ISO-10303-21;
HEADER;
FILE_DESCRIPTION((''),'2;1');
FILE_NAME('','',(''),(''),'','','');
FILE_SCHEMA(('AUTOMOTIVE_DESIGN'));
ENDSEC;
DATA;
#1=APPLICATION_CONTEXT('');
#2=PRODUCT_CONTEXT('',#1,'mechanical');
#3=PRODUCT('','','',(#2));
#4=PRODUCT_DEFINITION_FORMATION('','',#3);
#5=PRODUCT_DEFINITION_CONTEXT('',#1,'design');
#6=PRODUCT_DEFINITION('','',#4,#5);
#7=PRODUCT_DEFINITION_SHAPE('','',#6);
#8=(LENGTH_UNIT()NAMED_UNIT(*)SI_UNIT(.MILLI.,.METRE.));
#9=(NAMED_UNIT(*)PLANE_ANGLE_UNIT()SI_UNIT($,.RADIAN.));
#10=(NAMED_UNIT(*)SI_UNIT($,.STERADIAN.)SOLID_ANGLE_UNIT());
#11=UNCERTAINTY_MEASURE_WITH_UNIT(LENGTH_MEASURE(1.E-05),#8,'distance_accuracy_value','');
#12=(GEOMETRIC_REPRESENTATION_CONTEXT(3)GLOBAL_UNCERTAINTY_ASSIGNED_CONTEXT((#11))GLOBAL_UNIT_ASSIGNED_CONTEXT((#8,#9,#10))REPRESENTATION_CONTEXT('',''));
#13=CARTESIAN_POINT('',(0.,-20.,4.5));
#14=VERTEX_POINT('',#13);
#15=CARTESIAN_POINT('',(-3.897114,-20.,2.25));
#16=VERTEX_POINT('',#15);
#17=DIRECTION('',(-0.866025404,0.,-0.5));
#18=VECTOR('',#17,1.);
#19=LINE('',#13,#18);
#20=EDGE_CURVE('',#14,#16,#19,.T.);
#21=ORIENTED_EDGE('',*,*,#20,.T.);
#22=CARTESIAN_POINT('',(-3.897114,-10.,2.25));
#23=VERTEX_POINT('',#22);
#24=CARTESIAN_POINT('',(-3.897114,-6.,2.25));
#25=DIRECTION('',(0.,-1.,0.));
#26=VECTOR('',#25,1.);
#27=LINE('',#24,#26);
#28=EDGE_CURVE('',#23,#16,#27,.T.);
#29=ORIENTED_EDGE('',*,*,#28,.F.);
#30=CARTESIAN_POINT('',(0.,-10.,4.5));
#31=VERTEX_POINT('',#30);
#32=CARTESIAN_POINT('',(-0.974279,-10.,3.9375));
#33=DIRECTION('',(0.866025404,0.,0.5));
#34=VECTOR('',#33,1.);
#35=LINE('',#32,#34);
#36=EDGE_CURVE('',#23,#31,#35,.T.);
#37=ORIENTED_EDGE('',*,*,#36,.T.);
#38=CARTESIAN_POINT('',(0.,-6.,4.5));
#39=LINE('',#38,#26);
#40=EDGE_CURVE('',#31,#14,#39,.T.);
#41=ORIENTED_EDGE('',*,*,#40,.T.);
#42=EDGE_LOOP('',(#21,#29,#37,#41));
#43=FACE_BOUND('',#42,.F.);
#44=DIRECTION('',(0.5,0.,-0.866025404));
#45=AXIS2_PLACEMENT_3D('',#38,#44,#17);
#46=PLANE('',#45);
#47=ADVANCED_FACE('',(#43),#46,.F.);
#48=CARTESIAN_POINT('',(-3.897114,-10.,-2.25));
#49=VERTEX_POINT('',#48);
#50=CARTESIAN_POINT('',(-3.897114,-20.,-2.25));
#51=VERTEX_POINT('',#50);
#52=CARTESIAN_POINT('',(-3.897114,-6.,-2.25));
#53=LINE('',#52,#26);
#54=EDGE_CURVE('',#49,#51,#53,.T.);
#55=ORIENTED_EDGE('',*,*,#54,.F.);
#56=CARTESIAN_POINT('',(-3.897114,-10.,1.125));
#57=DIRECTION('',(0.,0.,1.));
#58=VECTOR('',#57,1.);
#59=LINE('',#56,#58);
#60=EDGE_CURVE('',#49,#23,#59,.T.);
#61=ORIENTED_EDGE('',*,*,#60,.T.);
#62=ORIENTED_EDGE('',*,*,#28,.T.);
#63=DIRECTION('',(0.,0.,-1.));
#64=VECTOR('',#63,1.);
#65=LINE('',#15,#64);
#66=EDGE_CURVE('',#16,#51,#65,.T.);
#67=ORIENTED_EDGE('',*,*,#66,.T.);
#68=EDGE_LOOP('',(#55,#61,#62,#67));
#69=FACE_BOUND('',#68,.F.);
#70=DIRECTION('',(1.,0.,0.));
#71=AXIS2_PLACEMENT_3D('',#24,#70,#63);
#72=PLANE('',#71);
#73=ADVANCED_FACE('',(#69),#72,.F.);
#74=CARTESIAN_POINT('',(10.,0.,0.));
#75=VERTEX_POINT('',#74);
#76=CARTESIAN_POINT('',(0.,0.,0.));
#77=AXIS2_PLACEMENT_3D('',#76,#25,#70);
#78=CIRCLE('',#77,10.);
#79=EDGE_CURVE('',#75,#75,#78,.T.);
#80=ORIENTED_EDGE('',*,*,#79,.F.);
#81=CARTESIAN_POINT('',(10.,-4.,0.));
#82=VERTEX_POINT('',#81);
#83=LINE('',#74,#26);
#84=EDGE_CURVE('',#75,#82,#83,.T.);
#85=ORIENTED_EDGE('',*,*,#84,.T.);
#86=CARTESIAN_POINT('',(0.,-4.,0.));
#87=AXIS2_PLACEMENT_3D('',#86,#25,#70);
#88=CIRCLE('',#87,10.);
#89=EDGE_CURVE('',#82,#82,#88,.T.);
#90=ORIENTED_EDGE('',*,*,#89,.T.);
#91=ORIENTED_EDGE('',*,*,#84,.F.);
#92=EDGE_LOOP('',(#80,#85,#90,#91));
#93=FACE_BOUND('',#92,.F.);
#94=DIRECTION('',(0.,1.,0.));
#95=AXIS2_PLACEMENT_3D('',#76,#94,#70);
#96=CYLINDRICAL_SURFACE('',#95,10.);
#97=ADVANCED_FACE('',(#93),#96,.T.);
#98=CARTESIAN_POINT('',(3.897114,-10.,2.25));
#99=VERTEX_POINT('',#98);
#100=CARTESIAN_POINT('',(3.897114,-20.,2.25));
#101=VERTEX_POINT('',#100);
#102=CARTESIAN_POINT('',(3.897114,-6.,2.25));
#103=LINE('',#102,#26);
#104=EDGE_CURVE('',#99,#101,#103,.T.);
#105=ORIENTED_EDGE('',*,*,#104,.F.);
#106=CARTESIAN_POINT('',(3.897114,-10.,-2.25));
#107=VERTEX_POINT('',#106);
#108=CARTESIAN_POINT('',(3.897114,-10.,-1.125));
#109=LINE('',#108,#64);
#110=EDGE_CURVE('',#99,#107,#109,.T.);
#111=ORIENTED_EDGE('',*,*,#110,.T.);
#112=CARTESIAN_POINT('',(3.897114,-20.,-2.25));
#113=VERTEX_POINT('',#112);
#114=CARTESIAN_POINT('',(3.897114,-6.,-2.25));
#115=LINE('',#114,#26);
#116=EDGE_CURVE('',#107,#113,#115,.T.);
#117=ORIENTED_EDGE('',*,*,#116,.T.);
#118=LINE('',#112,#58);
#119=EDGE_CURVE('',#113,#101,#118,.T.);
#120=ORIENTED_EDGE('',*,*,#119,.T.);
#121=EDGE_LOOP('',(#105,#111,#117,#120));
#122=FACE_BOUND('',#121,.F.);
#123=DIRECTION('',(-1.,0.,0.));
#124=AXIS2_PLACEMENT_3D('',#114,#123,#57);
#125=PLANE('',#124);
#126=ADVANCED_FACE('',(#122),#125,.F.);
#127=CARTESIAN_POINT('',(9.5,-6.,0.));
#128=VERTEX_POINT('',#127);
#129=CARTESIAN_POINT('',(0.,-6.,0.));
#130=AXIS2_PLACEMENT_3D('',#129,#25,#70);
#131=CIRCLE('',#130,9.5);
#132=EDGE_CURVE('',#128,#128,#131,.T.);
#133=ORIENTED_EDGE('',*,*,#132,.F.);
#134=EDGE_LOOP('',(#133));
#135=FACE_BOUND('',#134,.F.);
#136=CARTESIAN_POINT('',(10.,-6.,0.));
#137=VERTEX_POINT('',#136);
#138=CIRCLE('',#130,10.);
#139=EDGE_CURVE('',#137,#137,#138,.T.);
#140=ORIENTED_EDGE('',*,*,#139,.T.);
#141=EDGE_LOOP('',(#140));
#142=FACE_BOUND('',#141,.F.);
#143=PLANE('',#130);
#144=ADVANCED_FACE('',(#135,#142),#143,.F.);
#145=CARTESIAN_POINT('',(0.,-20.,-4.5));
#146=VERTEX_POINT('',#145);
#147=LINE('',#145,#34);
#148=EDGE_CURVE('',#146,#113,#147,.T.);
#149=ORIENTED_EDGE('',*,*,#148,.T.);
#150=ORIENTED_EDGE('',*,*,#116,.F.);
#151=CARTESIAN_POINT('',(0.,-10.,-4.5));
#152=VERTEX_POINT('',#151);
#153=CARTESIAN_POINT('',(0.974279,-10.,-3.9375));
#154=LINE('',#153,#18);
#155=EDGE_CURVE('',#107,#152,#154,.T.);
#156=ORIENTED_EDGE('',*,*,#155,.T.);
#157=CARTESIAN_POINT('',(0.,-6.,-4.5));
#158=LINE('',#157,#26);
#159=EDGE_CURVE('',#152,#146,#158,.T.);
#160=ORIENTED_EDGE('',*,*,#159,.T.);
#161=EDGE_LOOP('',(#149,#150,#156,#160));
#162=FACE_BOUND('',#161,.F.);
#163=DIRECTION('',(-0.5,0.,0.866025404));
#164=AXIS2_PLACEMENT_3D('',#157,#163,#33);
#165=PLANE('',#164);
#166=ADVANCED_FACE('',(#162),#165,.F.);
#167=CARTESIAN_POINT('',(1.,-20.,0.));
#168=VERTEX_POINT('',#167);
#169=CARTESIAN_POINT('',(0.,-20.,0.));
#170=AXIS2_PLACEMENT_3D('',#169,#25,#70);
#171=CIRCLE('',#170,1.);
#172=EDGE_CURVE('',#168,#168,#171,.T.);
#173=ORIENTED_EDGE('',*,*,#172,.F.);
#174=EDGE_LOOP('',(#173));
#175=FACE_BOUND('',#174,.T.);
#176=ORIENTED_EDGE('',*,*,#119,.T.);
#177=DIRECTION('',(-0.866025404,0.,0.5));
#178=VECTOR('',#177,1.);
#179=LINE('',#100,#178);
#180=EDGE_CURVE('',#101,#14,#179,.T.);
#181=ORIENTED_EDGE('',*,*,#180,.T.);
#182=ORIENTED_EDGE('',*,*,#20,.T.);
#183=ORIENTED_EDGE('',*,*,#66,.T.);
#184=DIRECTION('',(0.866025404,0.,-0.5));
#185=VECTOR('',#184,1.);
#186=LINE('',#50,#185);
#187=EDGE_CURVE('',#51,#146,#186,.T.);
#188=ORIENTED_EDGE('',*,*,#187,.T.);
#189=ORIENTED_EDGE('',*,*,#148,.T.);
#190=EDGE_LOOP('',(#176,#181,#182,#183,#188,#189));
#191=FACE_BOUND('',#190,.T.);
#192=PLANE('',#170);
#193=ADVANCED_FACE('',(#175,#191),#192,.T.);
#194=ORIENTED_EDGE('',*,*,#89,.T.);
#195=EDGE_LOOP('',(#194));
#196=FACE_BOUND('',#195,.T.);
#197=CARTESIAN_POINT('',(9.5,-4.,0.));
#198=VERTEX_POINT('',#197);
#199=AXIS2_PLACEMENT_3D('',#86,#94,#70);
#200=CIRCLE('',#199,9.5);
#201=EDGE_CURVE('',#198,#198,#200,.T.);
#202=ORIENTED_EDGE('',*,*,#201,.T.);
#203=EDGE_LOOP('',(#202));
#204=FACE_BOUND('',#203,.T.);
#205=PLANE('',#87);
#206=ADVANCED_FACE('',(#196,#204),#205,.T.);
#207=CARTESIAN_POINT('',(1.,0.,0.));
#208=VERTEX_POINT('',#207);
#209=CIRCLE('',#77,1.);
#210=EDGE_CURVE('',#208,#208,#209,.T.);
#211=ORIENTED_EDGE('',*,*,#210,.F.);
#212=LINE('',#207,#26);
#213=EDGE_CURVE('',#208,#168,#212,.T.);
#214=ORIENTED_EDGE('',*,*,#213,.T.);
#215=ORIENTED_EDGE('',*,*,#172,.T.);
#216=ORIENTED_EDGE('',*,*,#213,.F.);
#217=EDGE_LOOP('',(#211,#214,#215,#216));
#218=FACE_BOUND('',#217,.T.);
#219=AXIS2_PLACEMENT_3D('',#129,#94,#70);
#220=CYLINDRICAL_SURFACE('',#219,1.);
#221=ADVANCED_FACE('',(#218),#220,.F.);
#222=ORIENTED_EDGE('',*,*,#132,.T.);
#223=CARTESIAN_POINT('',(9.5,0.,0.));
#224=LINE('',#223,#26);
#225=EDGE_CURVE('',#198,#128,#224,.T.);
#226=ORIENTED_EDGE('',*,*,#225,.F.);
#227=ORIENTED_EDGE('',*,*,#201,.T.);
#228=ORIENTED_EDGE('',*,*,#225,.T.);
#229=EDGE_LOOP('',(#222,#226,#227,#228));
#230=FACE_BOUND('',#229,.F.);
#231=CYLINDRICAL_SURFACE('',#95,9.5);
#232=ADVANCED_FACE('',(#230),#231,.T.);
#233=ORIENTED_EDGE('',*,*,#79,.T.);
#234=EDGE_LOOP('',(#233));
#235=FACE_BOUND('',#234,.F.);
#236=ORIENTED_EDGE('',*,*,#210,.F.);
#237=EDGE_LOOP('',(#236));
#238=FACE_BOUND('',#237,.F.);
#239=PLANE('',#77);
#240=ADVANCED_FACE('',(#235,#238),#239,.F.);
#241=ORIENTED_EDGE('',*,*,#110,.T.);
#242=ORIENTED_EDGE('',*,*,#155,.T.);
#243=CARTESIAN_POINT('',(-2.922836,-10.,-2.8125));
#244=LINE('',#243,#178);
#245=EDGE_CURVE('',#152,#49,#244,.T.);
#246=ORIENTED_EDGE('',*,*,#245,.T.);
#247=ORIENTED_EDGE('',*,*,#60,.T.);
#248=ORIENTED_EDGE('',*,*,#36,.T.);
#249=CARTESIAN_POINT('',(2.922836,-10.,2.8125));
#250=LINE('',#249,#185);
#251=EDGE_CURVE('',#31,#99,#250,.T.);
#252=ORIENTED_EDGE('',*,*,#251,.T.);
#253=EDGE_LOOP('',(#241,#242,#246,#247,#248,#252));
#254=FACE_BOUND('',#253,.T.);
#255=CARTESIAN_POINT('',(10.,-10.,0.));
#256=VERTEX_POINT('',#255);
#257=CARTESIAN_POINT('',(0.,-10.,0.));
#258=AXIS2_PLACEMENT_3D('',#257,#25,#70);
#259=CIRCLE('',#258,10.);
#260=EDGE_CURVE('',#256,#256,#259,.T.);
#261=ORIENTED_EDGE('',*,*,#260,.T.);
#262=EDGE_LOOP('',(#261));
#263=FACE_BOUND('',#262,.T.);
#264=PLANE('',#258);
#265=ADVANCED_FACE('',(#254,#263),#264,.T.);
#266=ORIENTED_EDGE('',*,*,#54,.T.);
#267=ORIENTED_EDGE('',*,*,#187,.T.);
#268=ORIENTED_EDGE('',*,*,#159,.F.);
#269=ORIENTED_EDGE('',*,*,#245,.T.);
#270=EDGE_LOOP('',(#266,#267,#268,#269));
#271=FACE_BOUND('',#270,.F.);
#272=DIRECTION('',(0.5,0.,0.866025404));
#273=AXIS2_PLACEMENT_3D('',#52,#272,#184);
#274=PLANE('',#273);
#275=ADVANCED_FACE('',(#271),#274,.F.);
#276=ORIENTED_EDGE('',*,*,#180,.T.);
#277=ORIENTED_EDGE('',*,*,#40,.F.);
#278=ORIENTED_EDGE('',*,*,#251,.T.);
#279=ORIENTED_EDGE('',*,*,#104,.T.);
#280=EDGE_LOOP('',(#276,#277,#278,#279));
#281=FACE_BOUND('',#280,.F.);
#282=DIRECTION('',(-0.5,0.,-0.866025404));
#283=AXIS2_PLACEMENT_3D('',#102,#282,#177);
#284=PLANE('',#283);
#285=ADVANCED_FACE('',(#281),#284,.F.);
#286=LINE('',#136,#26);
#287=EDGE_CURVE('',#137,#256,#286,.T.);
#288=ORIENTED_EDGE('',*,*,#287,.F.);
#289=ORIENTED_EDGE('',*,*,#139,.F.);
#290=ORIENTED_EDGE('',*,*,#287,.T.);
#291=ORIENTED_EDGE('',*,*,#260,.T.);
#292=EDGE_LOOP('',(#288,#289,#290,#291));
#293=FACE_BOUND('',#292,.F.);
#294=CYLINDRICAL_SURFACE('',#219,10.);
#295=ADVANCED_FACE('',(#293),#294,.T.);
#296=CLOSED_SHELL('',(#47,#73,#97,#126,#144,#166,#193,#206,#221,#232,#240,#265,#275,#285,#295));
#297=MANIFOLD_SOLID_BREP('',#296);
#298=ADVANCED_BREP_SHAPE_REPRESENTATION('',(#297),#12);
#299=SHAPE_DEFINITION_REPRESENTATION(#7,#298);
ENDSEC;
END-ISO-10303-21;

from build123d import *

# Parameters (mm, degrees)
F0_R     = 10
F0_R_2   = 9.5
F0_R_3   = 1
F1_DEPTH = 4
F2_DEPTH = 6
F3_R     = 10
F3_R_2   = 9.5
F3_R_3   = 1
F4_DEPTH = 4
F5_DEPTH = 14
F6_DEPTH = 20


with BuildPart() as f1:
    # F0 (on Front) → F1 (new body)
    with BuildSketch(Plane.XZ):
        Circle(F0_R)
        Circle(F0_R_2, mode=Mode.SUBTRACT)
        Circle(F0_R_2)
        with BuildLine():
            ThreePointArc((3.897114317, 2.25), (4.3466662183, 1.164685703), (4.5, 0))
            ThreePointArc((4.5, 0), (4.3466662183, -1.164685703), (3.897114317, -2.25))
            ThreePointArc((3.897114317, -2.25), (2.25, -3.897114317), (0, -4.5))
            ThreePointArc((0, -4.5), (-2.25, -3.897114317), (-3.897114317, -2.25))
            ThreePointArc((-3.897114317, -2.25), (-4.5, 0), (-3.897114317, 2.25))
            ThreePointArc((-3.897114317, 2.25), (-2.25, 3.897114317), (0, 4.5))
            ThreePointArc((0, 4.5), (2.25, 3.897114317), (3.897114317, 2.25))
        make_face(mode=Mode.SUBTRACT)
        with BuildLine():
            Line((0, 4.5), (3.897114317, 2.25))
            ThreePointArc((3.897114317, 2.25), (2.25, 3.897114317), (0, 4.5))
        make_face()
        with BuildLine():
            Line((-3.897114317, 2.25), (0, 4.5))
            ThreePointArc((0, 4.5), (-2.25, 3.897114317), (-3.897114317, 2.25))
        make_face()
        with BuildLine():
            Line((-3.897114317, -2.25), (-3.897114317, 2.25))
            ThreePointArc((-3.897114317, 2.25), (-4.5, 0), (-3.897114317, -2.25))
        make_face()
        with BuildLine():
            ThreePointArc((-3.897114317, -2.25), (-2.25, -3.897114317), (0, -4.5))
            Line((0, -4.5), (-3.897114317, -2.25))
        make_face()
        with BuildLine():
            ThreePointArc((0, -4.5), (2.25, -3.897114317), (3.897114317, -2.25))
            Line((3.897114317, -2.25), (0, -4.5))
        make_face()
        Polygon((3.897114317, -2.25), (3.897114317, 2.25), (0, 4.5), (-3.897114317, 2.25), (-3.897114317, -2.25), (0, -4.5), align=None)
        Circle(F0_R_3, mode=Mode.SUBTRACT)
        with BuildLine():
            ThreePointArc((3.897114317, -2.25), (4.3466662183, -1.164685703), (4.5, 0))
            ThreePointArc((4.5, 0), (4.3466662183, 1.164685703), (3.897114317, 2.25))
            Line((3.897114317, 2.25), (3.897114317, -2.25))
        make_face()
    extrude(amount=F1_DEPTH)

    # F0 (on Front) → F2 (join)
    with BuildSketch(Plane.XZ):
        Circle(F0_R_2)
        with BuildLine():
            ThreePointArc((3.897114317, 2.25), (4.3466662183, 1.164685703), (4.5, 0))
            ThreePointArc((4.5, 0), (4.3466662183, -1.164685703), (3.897114317, -2.25))
            ThreePointArc((3.897114317, -2.25), (2.25, -3.897114317), (0, -4.5))
            ThreePointArc((0, -4.5), (-2.25, -3.897114317), (-3.897114317, -2.25))
            ThreePointArc((-3.897114317, -2.25), (-4.5, 0), (-3.897114317, 2.25))
            ThreePointArc((-3.897114317, 2.25), (-2.25, 3.897114317), (0, 4.5))
            ThreePointArc((0, 4.5), (2.25, 3.897114317), (3.897114317, 2.25))
        make_face(mode=Mode.SUBTRACT)
        Polygon((3.897114317, -2.25), (3.897114317, 2.25), (0, 4.5), (-3.897114317, 2.25), (-3.897114317, -2.25), (0, -4.5), align=None)
        Circle(F0_R_3, mode=Mode.SUBTRACT)
        with BuildLine():
            Line((-3.897114317, 2.25), (0, 4.5))
            ThreePointArc((0, 4.5), (-2.25, 3.897114317), (-3.897114317, 2.25))
        make_face()
        with BuildLine():
            Line((0, 4.5), (3.897114317, 2.25))
            ThreePointArc((3.897114317, 2.25), (2.25, 3.897114317), (0, 4.5))
        make_face()
        with BuildLine():
            ThreePointArc((3.897114317, -2.25), (4.3466662183, -1.164685703), (4.5, 0))
            ThreePointArc((4.5, 0), (4.3466662183, 1.164685703), (3.897114317, 2.25))
            Line((3.897114317, 2.25), (3.897114317, -2.25))
        make_face()
        with BuildLine():
            Line((-3.897114317, -2.25), (-3.897114317, 2.25))
            ThreePointArc((-3.897114317, 2.25), (-4.5, 0), (-3.897114317, -2.25))
        make_face()
        with BuildLine():
            ThreePointArc((-3.897114317, -2.25), (-2.25, -3.897114317), (0, -4.5))
            Line((0, -4.5), (-3.897114317, -2.25))
        make_face()
        with BuildLine():
            ThreePointArc((0, -4.5), (2.25, -3.897114317), (3.897114317, -2.25))
            Line((3.897114317, -2.25), (0, -4.5))
        make_face()
    extrude(amount=F2_DEPTH)



with BuildPart() as f4:
    # F3 (on face) → F4 (new body)
    with BuildSketch(Plane.XZ.offset(6)):
        Circle(F3_R)
        Circle(F3_R_2, mode=Mode.SUBTRACT)
        Circle(F3_R_2)
        with BuildLine():
            ThreePointArc((3.897114317, 2.25), (4.3466662183, 1.164685703), (4.5, 0))
            ThreePointArc((4.5, 0), (4.3466662183, -1.164685703), (3.897114317, -2.25))
            ThreePointArc((3.897114317, -2.25), (2.25, -3.897114317), (0, -4.5))
            ThreePointArc((0, -4.5), (-2.25, -3.897114317), (-3.897114317, -2.25))
            ThreePointArc((-3.897114317, -2.25), (-4.5, 0), (-3.897114317, 2.25))
            ThreePointArc((-3.897114317, 2.25), (-2.25, 3.897114317), (0, 4.5))
            ThreePointArc((0, 4.5), (2.25, 3.897114317), (3.897114317, 2.25))
        make_face(mode=Mode.SUBTRACT)
        with BuildLine():
            Line((-3.897114317, 2.25), (0, 4.5))
            ThreePointArc((0, 4.5), (-2.25, 3.897114317), (-3.897114317, 2.25))
        make_face()
        with BuildLine():
            Line((-3.897114317, -2.25), (-3.897114317, 2.25))
            ThreePointArc((-3.897114317, 2.25), (-4.5, 0), (-3.897114317, -2.25))
        make_face()
        with BuildLine():
            Line((0, 4.5), (3.897114317, 2.25))
            ThreePointArc((3.897114317, 2.25), (2.25, 3.897114317), (0, 4.5))
        make_face()
        Polygon((3.897114317, -2.25), (3.897114317, 2.25), (0, 4.5), (-3.897114317, 2.25), (-3.897114317, -2.25), (0, -4.5), align=None)
        Circle(F3_R_3, mode=Mode.SUBTRACT)
        with BuildLine():
            ThreePointArc((3.897114317, -2.25), (4.3466662183, -1.164685703), (4.5, 0))
            ThreePointArc((4.5, 0), (4.3466662183, 1.164685703), (3.897114317, 2.25))
            Line((3.897114317, 2.25), (3.897114317, -2.25))
        make_face()
        with BuildLine():
            ThreePointArc((0, -4.5), (2.25, -3.897114317), (3.897114317, -2.25))
            Line((3.897114317, -2.25), (0, -4.5))
        make_face()
        with BuildLine():
            ThreePointArc((-3.897114317, -2.25), (-2.25, -3.897114317), (0, -4.5))
            Line((0, -4.5), (-3.897114317, -2.25))
        make_face()
    extrude(amount=F4_DEPTH)


with BuildPart() as f1_1:
    add(f1.part)

    add(f4.part)  # F5 merges F4
    # F3 (on face) → F5 (join)
    with BuildSketch(Plane.XZ.offset(6)):
        Polygon((3.897114317, -2.25), (3.897114317, 2.25), (0, 4.5), (-3.897114317, 2.25), (-3.897114317, -2.25), (0, -4.5), align=None)
        Circle(F3_R_3, mode=Mode.SUBTRACT)
    extrude(amount=F5_DEPTH)

    # F3 (on face) → F6 (cut)
    with BuildSketch(Plane.XZ.offset(6)):
        Circle(F3_R_3)
    extrude(amount=F6_DEPTH, mode=Mode.SUBTRACT)


solid = f1_1.part
